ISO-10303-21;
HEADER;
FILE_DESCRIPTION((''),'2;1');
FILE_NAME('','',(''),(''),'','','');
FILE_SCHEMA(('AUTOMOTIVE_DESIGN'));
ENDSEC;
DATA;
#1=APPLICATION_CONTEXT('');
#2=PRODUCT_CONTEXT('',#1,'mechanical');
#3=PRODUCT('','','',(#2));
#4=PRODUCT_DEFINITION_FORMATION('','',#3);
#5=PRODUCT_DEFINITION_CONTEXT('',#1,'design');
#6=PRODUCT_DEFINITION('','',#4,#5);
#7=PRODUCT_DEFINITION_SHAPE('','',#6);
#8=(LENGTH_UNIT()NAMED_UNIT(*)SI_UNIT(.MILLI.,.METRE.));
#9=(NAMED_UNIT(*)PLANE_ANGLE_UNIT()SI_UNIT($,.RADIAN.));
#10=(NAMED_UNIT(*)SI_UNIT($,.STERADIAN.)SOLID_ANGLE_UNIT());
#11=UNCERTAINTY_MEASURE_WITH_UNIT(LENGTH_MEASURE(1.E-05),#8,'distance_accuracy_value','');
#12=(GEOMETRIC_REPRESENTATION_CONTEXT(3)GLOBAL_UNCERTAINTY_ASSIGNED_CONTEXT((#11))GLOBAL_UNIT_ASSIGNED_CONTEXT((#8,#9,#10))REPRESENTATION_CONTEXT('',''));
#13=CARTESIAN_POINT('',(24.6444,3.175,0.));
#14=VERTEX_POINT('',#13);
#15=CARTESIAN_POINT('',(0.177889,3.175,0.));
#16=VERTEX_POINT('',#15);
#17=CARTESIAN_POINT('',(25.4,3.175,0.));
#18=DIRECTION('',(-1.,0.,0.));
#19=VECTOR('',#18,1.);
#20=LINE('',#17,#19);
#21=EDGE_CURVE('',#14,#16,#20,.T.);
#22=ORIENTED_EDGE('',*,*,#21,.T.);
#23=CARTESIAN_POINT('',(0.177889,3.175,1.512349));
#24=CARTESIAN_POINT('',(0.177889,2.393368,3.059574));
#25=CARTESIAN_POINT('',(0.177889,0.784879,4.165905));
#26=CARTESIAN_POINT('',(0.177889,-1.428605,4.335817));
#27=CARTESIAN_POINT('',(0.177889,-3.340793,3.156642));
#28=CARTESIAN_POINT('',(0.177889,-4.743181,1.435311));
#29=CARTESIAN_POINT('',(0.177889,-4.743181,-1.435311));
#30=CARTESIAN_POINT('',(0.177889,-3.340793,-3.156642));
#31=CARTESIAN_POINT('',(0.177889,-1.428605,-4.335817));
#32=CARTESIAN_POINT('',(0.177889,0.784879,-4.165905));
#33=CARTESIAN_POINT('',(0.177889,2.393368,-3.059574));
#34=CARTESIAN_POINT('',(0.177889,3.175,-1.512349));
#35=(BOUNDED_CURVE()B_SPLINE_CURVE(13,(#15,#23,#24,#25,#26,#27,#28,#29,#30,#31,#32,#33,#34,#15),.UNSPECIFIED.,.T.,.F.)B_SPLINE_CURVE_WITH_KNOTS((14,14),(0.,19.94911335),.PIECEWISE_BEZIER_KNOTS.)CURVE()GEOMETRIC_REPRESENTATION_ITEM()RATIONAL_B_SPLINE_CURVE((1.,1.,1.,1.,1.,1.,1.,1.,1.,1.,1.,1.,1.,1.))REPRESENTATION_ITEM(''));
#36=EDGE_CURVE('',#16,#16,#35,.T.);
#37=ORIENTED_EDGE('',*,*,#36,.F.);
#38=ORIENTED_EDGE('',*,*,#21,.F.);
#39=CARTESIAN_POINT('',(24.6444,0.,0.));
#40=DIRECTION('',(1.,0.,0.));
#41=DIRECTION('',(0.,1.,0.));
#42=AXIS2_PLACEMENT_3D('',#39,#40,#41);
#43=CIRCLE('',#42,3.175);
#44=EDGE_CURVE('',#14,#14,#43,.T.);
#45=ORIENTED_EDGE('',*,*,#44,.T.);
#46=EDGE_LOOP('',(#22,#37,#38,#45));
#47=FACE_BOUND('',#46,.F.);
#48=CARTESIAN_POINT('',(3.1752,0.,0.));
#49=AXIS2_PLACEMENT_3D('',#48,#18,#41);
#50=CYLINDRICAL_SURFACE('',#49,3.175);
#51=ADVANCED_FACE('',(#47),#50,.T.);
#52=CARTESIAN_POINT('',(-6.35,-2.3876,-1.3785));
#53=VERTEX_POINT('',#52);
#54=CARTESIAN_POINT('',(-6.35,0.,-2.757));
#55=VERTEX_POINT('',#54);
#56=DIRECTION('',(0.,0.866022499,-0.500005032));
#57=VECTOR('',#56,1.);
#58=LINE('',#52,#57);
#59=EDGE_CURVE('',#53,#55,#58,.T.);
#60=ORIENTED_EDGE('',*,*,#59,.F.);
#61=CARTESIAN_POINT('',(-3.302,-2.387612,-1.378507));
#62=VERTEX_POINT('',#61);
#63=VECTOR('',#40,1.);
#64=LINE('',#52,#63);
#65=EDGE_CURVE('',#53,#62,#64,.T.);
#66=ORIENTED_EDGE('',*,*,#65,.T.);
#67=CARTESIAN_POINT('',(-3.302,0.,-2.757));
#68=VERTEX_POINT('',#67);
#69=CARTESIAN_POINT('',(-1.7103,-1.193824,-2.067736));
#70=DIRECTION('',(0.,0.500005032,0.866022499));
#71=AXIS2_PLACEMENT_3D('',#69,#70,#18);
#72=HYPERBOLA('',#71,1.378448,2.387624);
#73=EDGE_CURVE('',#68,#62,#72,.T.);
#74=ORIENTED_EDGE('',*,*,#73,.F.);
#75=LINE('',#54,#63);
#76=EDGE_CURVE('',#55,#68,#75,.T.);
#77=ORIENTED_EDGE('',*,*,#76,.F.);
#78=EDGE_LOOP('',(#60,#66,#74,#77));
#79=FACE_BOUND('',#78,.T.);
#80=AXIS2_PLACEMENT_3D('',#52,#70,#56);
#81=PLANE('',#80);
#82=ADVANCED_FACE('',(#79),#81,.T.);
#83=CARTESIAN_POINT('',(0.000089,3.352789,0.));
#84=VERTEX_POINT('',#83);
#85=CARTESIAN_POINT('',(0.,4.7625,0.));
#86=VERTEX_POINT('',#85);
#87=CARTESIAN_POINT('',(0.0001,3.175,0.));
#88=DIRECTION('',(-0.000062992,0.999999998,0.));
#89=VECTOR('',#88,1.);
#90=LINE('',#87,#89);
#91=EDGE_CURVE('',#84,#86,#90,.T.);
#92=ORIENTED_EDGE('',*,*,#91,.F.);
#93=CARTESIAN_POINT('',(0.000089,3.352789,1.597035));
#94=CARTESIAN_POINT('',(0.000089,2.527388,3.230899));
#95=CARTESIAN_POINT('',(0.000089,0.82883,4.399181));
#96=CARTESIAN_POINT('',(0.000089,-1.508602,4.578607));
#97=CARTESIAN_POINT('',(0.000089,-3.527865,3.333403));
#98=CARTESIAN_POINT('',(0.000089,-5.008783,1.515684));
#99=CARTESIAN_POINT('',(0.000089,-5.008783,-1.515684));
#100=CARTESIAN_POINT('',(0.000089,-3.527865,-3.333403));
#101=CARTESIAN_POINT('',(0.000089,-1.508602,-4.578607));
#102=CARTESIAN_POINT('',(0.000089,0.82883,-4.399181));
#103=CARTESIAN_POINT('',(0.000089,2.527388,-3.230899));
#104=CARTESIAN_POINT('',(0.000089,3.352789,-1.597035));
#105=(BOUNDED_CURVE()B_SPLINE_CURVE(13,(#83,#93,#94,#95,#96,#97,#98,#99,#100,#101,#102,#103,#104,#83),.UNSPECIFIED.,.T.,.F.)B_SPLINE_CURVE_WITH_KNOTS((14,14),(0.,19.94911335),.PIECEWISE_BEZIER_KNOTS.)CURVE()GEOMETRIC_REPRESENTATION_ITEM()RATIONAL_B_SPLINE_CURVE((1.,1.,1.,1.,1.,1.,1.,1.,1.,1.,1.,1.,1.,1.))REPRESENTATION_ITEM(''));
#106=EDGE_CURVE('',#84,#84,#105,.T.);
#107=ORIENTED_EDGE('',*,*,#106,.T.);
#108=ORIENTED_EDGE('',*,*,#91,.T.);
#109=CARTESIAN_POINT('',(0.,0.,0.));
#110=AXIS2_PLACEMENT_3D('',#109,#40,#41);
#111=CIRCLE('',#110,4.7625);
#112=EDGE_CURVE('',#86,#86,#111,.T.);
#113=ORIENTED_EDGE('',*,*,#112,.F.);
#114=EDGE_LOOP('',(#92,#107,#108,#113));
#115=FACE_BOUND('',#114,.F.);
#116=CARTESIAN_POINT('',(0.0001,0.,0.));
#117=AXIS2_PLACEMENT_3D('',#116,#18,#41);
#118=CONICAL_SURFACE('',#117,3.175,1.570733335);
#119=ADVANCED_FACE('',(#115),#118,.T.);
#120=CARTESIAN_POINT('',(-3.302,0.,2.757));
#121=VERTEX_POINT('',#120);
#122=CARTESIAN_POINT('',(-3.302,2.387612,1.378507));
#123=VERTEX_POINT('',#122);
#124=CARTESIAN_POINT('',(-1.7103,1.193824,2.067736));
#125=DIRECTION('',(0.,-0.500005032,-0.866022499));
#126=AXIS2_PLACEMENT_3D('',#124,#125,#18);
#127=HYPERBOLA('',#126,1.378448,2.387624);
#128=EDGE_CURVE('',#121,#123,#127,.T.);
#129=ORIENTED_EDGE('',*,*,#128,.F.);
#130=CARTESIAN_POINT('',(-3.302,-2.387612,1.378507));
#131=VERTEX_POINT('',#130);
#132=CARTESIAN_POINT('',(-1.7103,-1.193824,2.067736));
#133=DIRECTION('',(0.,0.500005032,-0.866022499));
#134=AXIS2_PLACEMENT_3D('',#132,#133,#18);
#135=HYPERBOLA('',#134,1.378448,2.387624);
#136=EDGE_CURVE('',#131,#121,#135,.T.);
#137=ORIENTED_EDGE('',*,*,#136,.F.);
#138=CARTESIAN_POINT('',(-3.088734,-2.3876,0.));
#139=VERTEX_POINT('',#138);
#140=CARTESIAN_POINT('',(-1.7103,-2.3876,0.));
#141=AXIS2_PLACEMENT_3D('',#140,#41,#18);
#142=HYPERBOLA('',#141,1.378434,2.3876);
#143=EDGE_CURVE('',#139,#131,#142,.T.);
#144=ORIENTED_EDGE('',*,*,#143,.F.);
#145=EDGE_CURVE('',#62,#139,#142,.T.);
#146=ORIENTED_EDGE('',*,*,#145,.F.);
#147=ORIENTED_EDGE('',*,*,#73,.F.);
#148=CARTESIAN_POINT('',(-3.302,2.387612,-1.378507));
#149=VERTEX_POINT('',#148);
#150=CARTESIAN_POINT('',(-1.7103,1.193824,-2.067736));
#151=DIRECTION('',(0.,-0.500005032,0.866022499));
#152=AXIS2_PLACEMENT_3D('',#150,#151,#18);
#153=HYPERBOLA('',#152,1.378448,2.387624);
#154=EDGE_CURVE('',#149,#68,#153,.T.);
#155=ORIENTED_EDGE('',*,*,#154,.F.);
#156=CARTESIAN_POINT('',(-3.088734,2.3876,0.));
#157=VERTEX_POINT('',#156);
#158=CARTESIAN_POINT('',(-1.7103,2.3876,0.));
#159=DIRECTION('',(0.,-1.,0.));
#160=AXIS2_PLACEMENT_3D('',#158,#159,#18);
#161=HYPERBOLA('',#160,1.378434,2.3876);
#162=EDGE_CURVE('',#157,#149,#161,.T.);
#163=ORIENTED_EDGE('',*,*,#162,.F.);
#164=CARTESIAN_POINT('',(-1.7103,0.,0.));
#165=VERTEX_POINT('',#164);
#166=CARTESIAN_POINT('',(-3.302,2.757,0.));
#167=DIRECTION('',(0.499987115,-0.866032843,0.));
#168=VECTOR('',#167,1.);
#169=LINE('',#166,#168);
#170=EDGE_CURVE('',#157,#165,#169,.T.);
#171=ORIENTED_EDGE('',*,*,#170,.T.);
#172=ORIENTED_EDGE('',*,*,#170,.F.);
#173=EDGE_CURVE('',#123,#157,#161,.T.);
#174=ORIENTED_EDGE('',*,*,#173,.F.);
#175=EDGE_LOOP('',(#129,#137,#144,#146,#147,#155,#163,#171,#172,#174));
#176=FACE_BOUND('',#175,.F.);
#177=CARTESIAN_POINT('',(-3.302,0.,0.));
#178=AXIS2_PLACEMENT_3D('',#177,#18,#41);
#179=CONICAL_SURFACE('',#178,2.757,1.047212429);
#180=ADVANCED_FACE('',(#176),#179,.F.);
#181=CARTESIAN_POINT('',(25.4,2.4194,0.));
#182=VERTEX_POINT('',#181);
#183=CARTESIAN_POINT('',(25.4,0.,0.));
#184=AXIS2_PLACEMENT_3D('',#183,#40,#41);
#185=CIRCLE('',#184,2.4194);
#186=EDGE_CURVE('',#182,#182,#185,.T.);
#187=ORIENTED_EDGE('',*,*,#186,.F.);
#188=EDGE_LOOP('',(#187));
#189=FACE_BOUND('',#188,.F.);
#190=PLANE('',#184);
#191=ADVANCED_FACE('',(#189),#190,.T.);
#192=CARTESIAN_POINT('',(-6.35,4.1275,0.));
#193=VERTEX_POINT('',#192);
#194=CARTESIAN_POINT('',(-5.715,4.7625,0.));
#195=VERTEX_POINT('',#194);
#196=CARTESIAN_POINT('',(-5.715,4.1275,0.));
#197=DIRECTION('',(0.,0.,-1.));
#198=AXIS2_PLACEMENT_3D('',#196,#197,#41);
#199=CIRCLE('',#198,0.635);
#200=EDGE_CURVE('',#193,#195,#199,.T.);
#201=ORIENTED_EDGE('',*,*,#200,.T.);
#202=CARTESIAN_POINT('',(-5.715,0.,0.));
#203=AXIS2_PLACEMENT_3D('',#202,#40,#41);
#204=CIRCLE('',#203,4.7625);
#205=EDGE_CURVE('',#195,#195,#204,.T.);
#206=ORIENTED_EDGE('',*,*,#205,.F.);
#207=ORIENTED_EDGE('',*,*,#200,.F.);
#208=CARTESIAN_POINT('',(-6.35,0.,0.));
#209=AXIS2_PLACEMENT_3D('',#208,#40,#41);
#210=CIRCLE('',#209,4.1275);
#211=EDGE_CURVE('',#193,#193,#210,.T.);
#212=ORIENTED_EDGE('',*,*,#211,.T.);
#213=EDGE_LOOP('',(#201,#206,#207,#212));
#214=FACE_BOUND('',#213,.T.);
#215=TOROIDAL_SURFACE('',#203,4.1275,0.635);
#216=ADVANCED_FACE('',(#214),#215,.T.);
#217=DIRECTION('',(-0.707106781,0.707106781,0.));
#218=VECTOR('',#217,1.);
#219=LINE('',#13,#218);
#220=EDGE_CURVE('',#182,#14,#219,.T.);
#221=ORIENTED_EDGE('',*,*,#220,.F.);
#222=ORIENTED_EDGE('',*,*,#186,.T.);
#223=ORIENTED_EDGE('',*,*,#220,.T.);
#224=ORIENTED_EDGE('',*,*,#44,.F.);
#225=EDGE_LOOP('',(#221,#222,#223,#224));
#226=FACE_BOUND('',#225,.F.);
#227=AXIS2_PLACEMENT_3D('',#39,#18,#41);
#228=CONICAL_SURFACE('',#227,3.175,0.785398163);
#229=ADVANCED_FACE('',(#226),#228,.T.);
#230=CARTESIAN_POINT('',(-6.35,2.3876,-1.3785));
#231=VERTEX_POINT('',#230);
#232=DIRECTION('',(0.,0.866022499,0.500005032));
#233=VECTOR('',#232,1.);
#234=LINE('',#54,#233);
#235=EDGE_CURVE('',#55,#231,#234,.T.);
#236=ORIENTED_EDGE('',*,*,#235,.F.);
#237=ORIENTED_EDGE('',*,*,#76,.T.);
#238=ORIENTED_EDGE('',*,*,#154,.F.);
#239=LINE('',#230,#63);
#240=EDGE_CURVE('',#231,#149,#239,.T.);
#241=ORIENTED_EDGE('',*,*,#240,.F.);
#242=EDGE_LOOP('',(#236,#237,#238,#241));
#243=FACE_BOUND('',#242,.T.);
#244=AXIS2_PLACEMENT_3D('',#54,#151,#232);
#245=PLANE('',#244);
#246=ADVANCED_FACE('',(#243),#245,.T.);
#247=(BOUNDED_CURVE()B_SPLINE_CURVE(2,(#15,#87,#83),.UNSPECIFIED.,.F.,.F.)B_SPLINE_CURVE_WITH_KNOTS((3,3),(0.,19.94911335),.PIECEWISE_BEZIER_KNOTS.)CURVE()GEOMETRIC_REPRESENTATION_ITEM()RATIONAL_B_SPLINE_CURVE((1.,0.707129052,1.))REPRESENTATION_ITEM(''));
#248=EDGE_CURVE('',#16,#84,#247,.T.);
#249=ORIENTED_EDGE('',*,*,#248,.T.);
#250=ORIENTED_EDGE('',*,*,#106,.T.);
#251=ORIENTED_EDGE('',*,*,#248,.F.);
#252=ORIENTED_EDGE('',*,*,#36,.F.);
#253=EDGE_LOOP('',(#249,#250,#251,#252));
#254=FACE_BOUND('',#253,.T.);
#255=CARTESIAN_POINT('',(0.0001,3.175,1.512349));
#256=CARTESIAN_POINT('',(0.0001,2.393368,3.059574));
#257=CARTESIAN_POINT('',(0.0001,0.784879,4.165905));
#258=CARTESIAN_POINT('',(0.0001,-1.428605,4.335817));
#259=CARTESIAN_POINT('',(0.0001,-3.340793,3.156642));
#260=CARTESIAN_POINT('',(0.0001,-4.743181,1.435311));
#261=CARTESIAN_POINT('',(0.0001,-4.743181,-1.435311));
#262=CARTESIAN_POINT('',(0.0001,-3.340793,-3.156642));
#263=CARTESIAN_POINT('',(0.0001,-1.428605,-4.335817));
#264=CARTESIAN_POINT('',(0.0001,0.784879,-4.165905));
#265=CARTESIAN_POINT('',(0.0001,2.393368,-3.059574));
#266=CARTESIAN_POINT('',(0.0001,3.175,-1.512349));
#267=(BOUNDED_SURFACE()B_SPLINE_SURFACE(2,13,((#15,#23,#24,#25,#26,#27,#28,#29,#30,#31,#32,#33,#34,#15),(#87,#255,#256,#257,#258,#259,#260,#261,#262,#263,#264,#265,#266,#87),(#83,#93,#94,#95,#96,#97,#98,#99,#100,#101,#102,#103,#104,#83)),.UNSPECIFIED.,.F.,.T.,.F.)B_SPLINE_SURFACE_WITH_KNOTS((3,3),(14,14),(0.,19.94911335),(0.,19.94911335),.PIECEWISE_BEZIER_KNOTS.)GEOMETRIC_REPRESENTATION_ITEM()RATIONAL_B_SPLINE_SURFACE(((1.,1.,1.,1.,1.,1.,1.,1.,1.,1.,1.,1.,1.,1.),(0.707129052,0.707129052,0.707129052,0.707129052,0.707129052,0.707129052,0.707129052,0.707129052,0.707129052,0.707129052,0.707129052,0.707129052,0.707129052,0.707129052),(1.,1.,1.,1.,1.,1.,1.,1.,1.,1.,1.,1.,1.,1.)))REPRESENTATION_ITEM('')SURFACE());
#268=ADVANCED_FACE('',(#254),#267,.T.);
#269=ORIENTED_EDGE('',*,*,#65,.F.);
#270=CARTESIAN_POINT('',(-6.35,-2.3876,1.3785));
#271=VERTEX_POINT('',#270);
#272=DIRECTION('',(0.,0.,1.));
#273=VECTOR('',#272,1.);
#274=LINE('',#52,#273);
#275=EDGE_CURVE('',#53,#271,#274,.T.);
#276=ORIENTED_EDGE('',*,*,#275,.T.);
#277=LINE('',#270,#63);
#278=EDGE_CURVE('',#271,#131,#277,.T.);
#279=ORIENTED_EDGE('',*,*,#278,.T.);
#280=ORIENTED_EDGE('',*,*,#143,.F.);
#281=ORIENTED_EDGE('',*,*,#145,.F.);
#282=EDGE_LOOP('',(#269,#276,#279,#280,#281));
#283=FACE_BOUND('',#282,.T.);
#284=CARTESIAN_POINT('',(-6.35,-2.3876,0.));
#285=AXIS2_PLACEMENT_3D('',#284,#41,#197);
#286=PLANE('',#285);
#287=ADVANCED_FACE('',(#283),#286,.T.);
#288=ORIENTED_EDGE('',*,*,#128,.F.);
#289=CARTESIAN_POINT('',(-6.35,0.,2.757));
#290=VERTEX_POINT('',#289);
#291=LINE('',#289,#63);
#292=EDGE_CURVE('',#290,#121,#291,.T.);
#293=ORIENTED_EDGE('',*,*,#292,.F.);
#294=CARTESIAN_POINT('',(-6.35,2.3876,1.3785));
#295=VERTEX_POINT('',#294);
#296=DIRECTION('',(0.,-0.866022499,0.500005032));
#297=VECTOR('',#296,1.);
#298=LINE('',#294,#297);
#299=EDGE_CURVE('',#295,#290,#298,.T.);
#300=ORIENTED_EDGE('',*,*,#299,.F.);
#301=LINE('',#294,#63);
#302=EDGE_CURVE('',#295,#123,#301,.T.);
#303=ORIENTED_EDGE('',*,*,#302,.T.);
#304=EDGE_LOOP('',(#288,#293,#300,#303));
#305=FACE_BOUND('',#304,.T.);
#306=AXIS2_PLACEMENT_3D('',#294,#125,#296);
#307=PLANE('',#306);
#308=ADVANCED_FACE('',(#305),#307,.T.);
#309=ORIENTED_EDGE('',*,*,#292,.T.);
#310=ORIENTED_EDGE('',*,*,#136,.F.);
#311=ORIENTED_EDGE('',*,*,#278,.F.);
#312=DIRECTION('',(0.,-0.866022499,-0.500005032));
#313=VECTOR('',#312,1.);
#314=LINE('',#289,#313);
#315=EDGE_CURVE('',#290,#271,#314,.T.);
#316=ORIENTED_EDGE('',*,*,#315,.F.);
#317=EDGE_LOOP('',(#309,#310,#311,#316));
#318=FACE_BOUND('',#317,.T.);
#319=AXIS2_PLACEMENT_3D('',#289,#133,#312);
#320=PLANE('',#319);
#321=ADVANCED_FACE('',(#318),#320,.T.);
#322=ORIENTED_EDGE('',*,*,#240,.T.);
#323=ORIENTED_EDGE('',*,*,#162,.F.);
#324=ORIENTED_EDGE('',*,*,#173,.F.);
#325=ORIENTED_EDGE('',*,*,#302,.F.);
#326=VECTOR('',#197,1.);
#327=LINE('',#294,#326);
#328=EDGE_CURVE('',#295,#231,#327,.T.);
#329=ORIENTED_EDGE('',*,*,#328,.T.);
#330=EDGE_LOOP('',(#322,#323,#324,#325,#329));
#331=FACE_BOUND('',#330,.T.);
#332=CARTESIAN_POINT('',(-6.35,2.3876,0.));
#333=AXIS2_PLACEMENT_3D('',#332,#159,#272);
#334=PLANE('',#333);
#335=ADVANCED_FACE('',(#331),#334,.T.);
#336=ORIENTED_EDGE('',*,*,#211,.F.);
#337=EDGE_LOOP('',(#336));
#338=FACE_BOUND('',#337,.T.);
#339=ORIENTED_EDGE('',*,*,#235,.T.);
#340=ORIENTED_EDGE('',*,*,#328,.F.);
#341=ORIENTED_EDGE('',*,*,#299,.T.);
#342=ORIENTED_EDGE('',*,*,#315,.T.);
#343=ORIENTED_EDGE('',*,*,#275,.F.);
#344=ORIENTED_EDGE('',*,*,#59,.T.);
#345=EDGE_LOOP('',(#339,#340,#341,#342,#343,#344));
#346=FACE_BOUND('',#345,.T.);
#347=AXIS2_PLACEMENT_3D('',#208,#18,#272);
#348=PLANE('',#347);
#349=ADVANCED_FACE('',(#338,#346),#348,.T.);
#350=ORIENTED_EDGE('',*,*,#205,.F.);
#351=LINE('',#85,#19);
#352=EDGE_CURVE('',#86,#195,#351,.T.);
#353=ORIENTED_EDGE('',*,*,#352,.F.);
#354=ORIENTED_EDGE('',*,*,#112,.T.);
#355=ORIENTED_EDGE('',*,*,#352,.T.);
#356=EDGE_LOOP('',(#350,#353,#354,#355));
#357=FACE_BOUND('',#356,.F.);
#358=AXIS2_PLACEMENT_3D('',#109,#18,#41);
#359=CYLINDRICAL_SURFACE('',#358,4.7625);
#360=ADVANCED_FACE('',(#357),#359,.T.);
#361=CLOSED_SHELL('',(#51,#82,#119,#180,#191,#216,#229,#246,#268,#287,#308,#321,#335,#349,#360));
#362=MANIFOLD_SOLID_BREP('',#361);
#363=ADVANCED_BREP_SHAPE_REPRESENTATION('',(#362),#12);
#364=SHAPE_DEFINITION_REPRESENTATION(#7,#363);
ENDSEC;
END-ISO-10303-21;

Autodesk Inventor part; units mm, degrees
ref_plane "YZ Plane" through (0, 0, 0) normal (1, 0, 0) x (0, 1, 0)
ref_plane "XZ Plane" through (0, 0, 0) normal (0, 1, 0) x (-1, 0, 0)
sketch "Sketch1" plane through (0, 0, 0) normal (0, 0, 1) x (1, 0, 0)
  line L0 (-1.7103, 0) -> (25.4, 0)
  line L1 (25.4, 0) -> (25.4, 3.175)
  line L2 (25.4, 3.175) -> (3.1752, 3.175)
  line L3 (3.1752, 3.175) -> (0.0001, 3.175)
  line L4 (0.0001, 3.175) -> (0, 3.175)
  line L5 (0, 3.175) -> (0, 4.7625)
  line L6 (0, 4.7625) -> (-6.35, 4.7625)
  line L7 (-6.35, 4.7625) -> (-6.35, 2.757)
  line L8 (-6.35, 2.757) -> (-3.302, 2.757)
  line L9 (-3.302, 2.757) -> (-1.7103, 0)
  line L10 (-12.7, 0) -> (31.75, 0) projected
  line L11 (0, -0.9525) -> (0, 5.715) projected
  line L12 (3.1752, 3.175) -> (0, 3.175) construction
  dimension "d1" = 22.2248
  dimension "d2" = 3.1751
  dimension "d3" = 6.35
  dimension "d4" = 3.048
  dimension "d5" = 60
  dimension "d6" = 6.35
  dimension "d7" = 6.35
  dimension "d8" = 5.5139
  dimension "d9" = 9.525
  dimension "d26" = 25.4
revolve "Body" add sketch "Sketch1" angle 360 about axis through (-1.7103, 0, 0) along (1, 0, 0)
sketch "Sketch2" plane through (-6.35, 0, 0) normal (-1, 0, 0) x (0, 0, 1)
  circle A0 centre (0, 0) radius 2.757 projected
  line L0 (0, -6.6675) -> (0, 6.6675) projected
  line L1 (-6.6675, 0) -> (6.6675, 0) projected
  line L2 (2.757, 0) -> (1.3785, -2.3876)
  line L3 (1.3785, -2.3876) -> (-1.3785, -2.3876)
  line L4 (-1.3785, -2.3876) -> (-2.757, 0)
  line L5 (-2.757, 0) -> (-1.3785, 2.3876)
  line L6 (-1.3785, 2.3876) -> (1.3785, 2.3876)
  line L7 (1.3785, 2.3876) -> (2.757, 0)
extrude "Slot" add sketch "Sketch2" against normal up to next contours L7 A0 | A0 L2 | L6 L0 A0 | A0 L0 L3 | L0 L6 A0 | A0 L3 L0 | L4 A0 | A0 L5
fillet "Fillet1" radius 0.635 1 edges at (-6.35, -4.7625, 0)
thread "Thread" size "1/4-20 UNC" class "2A" standard "ANSI Unified Screw Threads" length 22.2248
chamfer "Chamfer1" distance 0.7556 distance2 0.7556 1 edges at (25.4, -3.175, 0) measured on face at (25.4, -0.5663, -0.5832)
ref_plane "Work Plane1" through (29, 0, 0) normal (0, -1, 0) x (1, 0, 0)
fillet "Fillet2" radius 0.1778 1 edges at (0.0001, -3.175, 0)
equation "\"d1\" = GEL"
equation "\"d3\" = KOH"
equation "\"d4\" = INTI"
equation "\"d6\" = GD"
equation "\"d7\" = BDM"
equation "\"d8\" = 1.1547 * SW"
equation "\"d9\" = KOD"
equation "\"d26\" = NLG"
equation "\"d30\" = R"
equation "\"d17\" = RR"
equation "\"d13\" = GEL"
equation "\"d15\" = -0.5 * SPD + 0.5 * GD"
equation "\"d16\" = GUL"
equation "\"GD\" = 6.35"
equation "\"NLG\" = 25.4"
equation "\"GEL\" = 22.2248"
equation "\"KOD\" = 9.525"
equation "\"KOH\" = 6.35"
equation "\"INTI\" = 3.048"
equation "\"GAL\" = 3.175"
equation "\"GUL\" = 0.75565"
equation "\"BDM\" = 6.35"
equation "\"SW\" = 4.7752"
equation "\"RR\" = 0.635"
equation "\"SPD\" = 4.8387"
equation "\"R\" = 0.1778"
equation "\"PHH\" = 0.2032"
equation "\"GD1\" = SPD"
equation "\"THREADDIA\" = 6.35"
equation "\"FAWI\" = 45deg"
equation "\"KOH1\" = 5.715"
equation "\"NND\" = 6.35"
equation "\"TOA\" = 30deg"
equation "\"E0\" = 1.155 * SW"
properties part number "ANSI B18.3 - 1/4 - 20 UNC - 1 HS HCS" material "Steel, Mild"
